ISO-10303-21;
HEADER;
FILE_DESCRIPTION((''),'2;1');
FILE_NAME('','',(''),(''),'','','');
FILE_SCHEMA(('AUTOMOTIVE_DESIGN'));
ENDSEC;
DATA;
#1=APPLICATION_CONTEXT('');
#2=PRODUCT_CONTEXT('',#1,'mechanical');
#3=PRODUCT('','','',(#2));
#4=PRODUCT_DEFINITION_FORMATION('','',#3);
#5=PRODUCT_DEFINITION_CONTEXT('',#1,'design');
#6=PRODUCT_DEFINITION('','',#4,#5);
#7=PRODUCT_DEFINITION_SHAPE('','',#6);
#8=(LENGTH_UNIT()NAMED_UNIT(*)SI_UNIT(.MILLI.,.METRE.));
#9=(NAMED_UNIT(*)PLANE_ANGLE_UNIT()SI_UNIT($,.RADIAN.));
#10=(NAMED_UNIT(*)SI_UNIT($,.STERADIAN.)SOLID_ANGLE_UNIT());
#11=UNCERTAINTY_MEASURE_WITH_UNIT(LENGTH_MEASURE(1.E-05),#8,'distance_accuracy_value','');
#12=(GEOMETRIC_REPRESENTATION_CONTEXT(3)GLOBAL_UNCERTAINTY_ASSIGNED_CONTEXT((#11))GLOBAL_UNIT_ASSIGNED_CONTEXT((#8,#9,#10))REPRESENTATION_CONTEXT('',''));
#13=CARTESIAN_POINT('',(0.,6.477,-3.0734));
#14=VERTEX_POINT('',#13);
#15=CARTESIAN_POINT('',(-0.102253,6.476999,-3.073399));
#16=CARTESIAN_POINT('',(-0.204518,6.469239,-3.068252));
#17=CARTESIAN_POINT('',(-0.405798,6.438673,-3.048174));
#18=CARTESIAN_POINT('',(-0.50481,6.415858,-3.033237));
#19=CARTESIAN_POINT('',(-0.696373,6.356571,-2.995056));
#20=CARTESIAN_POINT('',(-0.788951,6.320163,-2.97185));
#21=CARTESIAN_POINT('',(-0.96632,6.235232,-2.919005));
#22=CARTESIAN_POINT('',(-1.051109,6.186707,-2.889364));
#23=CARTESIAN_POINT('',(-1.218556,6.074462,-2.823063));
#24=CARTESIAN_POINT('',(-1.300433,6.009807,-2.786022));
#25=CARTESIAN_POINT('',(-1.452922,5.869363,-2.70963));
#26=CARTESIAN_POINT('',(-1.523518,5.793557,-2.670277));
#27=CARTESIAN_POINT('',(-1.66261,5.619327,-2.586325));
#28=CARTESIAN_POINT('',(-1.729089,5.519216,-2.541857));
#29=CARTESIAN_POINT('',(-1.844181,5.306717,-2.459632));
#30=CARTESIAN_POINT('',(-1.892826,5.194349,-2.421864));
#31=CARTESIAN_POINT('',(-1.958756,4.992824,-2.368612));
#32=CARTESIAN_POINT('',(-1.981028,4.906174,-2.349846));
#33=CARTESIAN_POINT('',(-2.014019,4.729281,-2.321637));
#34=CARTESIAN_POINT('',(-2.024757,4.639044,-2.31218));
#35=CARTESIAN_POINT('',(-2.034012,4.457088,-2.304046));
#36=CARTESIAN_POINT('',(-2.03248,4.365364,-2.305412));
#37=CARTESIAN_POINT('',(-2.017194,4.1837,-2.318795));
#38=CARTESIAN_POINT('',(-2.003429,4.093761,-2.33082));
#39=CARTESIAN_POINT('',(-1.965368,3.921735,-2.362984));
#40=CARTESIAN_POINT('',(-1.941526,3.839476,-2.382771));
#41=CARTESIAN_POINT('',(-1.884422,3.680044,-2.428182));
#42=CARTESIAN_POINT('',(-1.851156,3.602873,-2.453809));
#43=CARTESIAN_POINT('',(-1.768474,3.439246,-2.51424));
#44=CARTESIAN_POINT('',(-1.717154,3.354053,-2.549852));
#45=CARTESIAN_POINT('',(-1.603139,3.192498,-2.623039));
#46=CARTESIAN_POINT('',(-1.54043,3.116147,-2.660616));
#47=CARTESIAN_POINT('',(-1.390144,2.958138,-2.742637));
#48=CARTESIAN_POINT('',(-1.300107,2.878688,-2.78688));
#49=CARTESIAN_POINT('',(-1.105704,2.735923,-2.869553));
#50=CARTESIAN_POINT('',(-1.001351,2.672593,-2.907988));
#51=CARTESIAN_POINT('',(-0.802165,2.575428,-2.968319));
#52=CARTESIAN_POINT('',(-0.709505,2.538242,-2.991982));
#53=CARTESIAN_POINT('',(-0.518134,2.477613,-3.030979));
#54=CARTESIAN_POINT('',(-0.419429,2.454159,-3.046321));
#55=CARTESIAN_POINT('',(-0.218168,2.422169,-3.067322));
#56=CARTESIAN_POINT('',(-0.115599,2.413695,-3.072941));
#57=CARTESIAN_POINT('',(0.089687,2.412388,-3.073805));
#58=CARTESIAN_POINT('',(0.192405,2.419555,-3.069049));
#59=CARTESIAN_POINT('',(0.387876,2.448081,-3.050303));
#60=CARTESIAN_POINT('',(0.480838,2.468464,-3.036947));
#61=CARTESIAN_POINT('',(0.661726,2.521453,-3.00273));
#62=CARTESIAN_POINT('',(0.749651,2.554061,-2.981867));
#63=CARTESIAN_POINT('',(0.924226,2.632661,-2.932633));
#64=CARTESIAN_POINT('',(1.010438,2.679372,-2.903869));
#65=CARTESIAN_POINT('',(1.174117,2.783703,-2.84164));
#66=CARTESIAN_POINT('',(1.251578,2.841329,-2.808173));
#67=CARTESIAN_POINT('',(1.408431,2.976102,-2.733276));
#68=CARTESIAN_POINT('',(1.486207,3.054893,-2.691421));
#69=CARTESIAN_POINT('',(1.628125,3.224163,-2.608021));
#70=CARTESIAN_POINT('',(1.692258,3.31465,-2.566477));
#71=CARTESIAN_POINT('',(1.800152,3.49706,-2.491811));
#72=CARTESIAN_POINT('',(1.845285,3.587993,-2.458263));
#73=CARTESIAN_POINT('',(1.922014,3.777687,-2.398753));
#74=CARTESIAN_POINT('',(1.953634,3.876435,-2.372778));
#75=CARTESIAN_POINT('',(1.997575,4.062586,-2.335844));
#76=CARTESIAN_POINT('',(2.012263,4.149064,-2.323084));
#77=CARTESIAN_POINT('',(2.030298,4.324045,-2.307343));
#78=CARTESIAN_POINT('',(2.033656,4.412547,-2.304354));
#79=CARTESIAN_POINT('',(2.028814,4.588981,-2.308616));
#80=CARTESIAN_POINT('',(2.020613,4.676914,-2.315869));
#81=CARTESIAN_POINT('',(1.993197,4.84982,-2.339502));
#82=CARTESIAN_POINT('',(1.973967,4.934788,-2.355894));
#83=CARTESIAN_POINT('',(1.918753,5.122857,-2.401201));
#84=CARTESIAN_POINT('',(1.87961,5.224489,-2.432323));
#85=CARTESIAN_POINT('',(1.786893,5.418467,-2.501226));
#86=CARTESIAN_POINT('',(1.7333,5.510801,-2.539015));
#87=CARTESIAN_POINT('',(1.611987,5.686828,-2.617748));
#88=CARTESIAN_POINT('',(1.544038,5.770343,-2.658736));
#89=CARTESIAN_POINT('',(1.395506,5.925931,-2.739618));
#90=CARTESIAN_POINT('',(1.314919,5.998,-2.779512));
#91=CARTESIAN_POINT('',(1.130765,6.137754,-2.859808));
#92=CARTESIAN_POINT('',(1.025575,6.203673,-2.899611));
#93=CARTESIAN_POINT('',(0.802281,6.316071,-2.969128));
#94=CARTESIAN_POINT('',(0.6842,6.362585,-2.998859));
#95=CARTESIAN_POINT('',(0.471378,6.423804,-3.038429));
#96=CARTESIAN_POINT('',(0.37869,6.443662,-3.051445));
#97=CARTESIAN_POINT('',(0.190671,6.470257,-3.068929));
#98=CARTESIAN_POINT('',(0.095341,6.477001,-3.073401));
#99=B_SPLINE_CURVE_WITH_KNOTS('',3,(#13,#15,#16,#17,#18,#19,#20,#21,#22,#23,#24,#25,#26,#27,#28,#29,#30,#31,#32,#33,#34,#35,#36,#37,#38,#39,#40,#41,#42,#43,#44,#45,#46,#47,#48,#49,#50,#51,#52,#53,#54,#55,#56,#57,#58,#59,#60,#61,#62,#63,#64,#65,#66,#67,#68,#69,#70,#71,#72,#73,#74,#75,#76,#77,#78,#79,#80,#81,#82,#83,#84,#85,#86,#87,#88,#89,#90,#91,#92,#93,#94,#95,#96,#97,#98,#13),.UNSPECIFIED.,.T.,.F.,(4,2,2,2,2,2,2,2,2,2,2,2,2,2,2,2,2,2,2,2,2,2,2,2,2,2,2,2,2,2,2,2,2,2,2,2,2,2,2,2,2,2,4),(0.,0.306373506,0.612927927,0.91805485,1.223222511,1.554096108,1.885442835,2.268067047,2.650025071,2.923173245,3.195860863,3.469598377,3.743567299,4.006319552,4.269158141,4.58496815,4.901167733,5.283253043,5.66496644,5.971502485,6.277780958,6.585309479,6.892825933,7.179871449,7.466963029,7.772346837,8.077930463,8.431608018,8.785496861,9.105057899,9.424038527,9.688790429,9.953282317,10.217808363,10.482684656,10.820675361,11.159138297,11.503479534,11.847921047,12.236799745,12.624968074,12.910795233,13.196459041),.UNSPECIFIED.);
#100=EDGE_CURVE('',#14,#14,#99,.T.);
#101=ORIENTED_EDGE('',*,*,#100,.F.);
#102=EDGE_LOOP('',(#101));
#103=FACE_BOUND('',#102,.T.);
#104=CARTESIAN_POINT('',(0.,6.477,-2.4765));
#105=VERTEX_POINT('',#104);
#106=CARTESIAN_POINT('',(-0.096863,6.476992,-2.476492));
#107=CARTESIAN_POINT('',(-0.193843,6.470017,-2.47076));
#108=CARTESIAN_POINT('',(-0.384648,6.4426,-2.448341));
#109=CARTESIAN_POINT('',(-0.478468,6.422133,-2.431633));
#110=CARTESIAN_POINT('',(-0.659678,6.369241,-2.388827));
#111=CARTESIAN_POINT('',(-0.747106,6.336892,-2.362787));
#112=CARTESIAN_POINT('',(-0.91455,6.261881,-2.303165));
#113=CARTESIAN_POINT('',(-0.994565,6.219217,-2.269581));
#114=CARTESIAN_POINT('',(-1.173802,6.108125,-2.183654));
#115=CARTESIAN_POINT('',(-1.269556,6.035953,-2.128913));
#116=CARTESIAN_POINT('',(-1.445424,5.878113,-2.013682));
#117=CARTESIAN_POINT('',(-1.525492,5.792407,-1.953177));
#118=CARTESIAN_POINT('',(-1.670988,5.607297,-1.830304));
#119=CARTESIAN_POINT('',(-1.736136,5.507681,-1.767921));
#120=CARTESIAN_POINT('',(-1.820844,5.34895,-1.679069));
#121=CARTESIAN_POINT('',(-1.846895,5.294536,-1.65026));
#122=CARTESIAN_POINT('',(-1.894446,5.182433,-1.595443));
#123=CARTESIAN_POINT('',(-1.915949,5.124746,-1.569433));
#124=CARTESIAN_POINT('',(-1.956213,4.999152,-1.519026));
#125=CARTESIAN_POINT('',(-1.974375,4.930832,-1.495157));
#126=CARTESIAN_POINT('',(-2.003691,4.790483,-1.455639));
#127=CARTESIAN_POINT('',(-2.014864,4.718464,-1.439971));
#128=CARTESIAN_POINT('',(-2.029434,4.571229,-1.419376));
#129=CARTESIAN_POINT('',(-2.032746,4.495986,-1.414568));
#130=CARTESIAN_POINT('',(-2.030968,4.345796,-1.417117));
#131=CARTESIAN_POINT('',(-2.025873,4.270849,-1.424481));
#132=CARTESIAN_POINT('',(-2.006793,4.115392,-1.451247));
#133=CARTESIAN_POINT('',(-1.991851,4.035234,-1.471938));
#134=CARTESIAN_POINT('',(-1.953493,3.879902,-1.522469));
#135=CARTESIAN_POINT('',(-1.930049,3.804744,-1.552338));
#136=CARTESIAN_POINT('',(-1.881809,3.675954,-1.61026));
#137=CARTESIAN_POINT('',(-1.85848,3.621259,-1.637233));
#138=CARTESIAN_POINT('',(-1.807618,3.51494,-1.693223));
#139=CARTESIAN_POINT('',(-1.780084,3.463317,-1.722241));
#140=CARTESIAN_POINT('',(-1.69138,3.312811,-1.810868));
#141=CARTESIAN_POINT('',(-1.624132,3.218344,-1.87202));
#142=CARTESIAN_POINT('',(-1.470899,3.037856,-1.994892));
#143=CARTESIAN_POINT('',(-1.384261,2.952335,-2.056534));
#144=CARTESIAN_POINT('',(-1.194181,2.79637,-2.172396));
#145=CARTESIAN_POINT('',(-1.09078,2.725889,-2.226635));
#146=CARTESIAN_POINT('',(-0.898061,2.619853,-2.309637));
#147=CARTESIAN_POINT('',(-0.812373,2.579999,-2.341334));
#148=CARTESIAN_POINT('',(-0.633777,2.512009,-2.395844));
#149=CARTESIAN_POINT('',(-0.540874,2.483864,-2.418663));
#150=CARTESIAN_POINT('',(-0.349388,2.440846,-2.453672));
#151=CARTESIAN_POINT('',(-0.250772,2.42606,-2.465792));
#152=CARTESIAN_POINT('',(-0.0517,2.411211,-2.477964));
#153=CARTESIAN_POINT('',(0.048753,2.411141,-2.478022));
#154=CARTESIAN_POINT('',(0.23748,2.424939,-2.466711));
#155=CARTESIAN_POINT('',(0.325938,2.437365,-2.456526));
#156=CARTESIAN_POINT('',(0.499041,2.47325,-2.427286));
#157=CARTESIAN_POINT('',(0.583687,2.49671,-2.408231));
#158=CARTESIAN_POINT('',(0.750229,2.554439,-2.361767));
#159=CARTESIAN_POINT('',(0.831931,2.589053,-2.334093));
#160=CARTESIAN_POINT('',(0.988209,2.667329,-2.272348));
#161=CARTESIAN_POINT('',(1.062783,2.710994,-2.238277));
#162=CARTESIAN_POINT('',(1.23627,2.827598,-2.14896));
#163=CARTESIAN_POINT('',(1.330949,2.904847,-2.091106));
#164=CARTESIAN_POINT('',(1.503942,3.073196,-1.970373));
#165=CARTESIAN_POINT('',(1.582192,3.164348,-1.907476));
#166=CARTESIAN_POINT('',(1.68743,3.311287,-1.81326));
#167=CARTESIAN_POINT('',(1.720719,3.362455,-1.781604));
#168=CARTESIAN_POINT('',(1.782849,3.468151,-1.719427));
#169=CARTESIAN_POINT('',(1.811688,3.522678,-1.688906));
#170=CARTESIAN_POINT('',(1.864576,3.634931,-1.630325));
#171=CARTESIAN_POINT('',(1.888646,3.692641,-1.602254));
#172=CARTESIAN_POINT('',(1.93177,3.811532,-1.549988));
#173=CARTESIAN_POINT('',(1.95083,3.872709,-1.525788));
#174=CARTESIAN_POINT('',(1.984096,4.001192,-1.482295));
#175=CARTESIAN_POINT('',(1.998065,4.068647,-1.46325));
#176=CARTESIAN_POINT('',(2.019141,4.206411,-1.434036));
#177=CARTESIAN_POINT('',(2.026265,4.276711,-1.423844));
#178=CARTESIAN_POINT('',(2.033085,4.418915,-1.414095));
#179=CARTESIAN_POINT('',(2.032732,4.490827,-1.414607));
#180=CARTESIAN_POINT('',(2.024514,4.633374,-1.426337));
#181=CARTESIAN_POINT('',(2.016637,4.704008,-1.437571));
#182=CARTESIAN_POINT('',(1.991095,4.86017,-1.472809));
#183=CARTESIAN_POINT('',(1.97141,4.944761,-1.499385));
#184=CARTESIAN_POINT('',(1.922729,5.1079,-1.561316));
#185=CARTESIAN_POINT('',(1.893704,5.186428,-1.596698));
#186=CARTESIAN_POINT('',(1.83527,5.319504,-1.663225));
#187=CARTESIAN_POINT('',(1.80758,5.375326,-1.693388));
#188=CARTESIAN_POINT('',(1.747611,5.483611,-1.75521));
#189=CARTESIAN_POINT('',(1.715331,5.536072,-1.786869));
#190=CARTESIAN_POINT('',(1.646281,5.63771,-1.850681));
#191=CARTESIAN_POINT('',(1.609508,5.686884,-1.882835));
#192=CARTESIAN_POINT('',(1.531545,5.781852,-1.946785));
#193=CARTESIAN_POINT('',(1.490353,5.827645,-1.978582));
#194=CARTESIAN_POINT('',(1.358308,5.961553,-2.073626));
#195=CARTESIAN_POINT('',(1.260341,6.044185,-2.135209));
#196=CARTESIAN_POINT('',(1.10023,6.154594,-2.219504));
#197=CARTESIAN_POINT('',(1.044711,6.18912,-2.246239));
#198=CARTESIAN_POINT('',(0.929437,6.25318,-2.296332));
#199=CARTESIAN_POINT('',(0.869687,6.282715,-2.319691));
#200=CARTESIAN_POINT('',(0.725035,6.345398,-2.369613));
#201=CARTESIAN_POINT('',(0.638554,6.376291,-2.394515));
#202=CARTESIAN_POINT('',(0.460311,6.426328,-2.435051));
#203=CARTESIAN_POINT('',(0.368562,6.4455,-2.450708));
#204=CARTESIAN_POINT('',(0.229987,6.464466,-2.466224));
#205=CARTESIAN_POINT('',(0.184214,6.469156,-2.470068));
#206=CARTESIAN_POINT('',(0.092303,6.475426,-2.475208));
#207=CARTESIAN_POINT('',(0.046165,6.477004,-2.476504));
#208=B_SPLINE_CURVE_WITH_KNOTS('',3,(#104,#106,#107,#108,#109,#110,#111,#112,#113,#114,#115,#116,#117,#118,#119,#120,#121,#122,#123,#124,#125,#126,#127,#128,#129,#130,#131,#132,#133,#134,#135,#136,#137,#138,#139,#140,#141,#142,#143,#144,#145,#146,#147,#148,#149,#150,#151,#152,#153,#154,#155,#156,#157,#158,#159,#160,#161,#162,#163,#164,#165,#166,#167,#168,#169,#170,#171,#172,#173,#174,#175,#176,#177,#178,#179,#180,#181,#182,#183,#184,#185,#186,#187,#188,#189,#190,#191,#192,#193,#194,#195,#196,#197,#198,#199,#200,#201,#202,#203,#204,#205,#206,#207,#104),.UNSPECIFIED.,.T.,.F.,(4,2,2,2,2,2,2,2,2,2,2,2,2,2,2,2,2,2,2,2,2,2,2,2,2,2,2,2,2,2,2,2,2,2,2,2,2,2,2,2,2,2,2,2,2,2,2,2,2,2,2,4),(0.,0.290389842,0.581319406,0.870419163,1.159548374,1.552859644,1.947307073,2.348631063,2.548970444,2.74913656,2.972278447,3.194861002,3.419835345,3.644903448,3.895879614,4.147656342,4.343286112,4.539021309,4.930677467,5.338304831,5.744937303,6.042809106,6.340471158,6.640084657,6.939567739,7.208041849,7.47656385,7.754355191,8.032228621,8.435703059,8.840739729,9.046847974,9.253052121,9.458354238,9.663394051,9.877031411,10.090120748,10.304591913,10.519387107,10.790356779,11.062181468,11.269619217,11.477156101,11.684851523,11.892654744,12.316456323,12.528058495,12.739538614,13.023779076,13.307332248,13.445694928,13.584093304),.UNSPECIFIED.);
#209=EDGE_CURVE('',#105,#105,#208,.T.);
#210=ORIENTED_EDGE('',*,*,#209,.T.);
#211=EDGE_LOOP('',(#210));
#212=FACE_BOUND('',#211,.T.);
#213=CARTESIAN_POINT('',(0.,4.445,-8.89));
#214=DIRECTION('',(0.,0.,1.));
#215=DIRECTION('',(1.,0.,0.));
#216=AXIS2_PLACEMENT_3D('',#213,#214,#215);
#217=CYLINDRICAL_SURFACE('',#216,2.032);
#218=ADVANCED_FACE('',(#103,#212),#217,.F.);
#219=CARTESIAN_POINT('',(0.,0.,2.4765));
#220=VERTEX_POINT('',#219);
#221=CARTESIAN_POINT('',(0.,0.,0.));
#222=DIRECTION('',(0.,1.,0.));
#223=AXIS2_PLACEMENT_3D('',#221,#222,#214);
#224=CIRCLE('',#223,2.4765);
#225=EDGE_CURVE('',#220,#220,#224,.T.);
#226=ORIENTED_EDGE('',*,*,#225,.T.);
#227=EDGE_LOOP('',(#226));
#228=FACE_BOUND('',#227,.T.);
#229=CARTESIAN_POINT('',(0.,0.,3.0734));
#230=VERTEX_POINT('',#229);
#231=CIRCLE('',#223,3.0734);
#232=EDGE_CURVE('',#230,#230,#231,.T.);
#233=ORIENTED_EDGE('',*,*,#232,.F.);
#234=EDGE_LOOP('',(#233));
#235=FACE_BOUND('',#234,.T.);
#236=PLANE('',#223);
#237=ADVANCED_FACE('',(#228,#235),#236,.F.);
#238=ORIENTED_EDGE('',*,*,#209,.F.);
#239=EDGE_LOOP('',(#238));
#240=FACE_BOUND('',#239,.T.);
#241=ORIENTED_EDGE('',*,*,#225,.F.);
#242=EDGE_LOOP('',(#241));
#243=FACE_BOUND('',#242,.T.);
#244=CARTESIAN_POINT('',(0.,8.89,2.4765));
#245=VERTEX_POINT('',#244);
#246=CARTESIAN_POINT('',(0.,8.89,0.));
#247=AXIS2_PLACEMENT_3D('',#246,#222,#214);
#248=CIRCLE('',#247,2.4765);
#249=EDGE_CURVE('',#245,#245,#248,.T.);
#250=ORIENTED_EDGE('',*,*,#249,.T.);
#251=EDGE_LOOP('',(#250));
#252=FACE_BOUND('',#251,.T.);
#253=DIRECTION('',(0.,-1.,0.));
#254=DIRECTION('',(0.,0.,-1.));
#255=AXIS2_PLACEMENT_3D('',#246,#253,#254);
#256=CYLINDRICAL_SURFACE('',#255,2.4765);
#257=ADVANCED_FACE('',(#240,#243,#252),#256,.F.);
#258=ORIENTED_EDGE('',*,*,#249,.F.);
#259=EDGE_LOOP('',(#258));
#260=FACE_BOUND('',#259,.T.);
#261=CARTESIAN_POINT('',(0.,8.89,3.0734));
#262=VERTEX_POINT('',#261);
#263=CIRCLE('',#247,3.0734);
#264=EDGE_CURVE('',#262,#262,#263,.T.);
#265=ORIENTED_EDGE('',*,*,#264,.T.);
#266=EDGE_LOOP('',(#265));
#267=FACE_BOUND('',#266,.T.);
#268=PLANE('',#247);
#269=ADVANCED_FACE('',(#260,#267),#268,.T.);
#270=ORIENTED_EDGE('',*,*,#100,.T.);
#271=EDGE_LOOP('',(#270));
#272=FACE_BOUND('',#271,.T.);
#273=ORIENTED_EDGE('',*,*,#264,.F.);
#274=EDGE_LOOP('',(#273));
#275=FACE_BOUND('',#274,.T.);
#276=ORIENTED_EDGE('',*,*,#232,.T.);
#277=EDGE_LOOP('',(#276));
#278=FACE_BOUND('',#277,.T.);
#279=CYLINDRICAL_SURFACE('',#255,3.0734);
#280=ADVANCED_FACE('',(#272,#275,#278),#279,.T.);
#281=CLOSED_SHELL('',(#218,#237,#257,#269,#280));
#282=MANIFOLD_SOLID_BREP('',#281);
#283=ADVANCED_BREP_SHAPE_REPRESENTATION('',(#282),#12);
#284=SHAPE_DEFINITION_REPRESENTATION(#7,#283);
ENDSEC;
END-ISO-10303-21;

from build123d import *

# Parameters (mm, degrees)
SKETCH1_R           = 3.0734
SKETCH1_R_2         = 2.4765
BOSS_EXTRUDE1_DEPTH = 8.89
SKETCH2_R           = 2.032
CUT_EXTRUDE1_DEPTH  = 8.89


with BuildPart() as part:
    # Sketch1 → Boss-Extrude1 (new body)
    with BuildSketch(Plane(origin=(0, 0, 0), x_dir=(1, 0, 0), z_dir=(0, 1, 0))):
        Circle(SKETCH1_R)
        Circle(SKETCH1_R_2, mode=Mode.SUBTRACT)
    extrude(amount=BOSS_EXTRUDE1_DEPTH)

    # Sketch2 → Cut-Extrude1 (cut)
    with BuildSketch(Plane.XY):
        with Locations((0, 4.445)):
            Circle(SKETCH2_R)
    extrude(amount=-CUT_EXTRUDE1_DEPTH, mode=Mode.SUBTRACT)


solid = part.part
